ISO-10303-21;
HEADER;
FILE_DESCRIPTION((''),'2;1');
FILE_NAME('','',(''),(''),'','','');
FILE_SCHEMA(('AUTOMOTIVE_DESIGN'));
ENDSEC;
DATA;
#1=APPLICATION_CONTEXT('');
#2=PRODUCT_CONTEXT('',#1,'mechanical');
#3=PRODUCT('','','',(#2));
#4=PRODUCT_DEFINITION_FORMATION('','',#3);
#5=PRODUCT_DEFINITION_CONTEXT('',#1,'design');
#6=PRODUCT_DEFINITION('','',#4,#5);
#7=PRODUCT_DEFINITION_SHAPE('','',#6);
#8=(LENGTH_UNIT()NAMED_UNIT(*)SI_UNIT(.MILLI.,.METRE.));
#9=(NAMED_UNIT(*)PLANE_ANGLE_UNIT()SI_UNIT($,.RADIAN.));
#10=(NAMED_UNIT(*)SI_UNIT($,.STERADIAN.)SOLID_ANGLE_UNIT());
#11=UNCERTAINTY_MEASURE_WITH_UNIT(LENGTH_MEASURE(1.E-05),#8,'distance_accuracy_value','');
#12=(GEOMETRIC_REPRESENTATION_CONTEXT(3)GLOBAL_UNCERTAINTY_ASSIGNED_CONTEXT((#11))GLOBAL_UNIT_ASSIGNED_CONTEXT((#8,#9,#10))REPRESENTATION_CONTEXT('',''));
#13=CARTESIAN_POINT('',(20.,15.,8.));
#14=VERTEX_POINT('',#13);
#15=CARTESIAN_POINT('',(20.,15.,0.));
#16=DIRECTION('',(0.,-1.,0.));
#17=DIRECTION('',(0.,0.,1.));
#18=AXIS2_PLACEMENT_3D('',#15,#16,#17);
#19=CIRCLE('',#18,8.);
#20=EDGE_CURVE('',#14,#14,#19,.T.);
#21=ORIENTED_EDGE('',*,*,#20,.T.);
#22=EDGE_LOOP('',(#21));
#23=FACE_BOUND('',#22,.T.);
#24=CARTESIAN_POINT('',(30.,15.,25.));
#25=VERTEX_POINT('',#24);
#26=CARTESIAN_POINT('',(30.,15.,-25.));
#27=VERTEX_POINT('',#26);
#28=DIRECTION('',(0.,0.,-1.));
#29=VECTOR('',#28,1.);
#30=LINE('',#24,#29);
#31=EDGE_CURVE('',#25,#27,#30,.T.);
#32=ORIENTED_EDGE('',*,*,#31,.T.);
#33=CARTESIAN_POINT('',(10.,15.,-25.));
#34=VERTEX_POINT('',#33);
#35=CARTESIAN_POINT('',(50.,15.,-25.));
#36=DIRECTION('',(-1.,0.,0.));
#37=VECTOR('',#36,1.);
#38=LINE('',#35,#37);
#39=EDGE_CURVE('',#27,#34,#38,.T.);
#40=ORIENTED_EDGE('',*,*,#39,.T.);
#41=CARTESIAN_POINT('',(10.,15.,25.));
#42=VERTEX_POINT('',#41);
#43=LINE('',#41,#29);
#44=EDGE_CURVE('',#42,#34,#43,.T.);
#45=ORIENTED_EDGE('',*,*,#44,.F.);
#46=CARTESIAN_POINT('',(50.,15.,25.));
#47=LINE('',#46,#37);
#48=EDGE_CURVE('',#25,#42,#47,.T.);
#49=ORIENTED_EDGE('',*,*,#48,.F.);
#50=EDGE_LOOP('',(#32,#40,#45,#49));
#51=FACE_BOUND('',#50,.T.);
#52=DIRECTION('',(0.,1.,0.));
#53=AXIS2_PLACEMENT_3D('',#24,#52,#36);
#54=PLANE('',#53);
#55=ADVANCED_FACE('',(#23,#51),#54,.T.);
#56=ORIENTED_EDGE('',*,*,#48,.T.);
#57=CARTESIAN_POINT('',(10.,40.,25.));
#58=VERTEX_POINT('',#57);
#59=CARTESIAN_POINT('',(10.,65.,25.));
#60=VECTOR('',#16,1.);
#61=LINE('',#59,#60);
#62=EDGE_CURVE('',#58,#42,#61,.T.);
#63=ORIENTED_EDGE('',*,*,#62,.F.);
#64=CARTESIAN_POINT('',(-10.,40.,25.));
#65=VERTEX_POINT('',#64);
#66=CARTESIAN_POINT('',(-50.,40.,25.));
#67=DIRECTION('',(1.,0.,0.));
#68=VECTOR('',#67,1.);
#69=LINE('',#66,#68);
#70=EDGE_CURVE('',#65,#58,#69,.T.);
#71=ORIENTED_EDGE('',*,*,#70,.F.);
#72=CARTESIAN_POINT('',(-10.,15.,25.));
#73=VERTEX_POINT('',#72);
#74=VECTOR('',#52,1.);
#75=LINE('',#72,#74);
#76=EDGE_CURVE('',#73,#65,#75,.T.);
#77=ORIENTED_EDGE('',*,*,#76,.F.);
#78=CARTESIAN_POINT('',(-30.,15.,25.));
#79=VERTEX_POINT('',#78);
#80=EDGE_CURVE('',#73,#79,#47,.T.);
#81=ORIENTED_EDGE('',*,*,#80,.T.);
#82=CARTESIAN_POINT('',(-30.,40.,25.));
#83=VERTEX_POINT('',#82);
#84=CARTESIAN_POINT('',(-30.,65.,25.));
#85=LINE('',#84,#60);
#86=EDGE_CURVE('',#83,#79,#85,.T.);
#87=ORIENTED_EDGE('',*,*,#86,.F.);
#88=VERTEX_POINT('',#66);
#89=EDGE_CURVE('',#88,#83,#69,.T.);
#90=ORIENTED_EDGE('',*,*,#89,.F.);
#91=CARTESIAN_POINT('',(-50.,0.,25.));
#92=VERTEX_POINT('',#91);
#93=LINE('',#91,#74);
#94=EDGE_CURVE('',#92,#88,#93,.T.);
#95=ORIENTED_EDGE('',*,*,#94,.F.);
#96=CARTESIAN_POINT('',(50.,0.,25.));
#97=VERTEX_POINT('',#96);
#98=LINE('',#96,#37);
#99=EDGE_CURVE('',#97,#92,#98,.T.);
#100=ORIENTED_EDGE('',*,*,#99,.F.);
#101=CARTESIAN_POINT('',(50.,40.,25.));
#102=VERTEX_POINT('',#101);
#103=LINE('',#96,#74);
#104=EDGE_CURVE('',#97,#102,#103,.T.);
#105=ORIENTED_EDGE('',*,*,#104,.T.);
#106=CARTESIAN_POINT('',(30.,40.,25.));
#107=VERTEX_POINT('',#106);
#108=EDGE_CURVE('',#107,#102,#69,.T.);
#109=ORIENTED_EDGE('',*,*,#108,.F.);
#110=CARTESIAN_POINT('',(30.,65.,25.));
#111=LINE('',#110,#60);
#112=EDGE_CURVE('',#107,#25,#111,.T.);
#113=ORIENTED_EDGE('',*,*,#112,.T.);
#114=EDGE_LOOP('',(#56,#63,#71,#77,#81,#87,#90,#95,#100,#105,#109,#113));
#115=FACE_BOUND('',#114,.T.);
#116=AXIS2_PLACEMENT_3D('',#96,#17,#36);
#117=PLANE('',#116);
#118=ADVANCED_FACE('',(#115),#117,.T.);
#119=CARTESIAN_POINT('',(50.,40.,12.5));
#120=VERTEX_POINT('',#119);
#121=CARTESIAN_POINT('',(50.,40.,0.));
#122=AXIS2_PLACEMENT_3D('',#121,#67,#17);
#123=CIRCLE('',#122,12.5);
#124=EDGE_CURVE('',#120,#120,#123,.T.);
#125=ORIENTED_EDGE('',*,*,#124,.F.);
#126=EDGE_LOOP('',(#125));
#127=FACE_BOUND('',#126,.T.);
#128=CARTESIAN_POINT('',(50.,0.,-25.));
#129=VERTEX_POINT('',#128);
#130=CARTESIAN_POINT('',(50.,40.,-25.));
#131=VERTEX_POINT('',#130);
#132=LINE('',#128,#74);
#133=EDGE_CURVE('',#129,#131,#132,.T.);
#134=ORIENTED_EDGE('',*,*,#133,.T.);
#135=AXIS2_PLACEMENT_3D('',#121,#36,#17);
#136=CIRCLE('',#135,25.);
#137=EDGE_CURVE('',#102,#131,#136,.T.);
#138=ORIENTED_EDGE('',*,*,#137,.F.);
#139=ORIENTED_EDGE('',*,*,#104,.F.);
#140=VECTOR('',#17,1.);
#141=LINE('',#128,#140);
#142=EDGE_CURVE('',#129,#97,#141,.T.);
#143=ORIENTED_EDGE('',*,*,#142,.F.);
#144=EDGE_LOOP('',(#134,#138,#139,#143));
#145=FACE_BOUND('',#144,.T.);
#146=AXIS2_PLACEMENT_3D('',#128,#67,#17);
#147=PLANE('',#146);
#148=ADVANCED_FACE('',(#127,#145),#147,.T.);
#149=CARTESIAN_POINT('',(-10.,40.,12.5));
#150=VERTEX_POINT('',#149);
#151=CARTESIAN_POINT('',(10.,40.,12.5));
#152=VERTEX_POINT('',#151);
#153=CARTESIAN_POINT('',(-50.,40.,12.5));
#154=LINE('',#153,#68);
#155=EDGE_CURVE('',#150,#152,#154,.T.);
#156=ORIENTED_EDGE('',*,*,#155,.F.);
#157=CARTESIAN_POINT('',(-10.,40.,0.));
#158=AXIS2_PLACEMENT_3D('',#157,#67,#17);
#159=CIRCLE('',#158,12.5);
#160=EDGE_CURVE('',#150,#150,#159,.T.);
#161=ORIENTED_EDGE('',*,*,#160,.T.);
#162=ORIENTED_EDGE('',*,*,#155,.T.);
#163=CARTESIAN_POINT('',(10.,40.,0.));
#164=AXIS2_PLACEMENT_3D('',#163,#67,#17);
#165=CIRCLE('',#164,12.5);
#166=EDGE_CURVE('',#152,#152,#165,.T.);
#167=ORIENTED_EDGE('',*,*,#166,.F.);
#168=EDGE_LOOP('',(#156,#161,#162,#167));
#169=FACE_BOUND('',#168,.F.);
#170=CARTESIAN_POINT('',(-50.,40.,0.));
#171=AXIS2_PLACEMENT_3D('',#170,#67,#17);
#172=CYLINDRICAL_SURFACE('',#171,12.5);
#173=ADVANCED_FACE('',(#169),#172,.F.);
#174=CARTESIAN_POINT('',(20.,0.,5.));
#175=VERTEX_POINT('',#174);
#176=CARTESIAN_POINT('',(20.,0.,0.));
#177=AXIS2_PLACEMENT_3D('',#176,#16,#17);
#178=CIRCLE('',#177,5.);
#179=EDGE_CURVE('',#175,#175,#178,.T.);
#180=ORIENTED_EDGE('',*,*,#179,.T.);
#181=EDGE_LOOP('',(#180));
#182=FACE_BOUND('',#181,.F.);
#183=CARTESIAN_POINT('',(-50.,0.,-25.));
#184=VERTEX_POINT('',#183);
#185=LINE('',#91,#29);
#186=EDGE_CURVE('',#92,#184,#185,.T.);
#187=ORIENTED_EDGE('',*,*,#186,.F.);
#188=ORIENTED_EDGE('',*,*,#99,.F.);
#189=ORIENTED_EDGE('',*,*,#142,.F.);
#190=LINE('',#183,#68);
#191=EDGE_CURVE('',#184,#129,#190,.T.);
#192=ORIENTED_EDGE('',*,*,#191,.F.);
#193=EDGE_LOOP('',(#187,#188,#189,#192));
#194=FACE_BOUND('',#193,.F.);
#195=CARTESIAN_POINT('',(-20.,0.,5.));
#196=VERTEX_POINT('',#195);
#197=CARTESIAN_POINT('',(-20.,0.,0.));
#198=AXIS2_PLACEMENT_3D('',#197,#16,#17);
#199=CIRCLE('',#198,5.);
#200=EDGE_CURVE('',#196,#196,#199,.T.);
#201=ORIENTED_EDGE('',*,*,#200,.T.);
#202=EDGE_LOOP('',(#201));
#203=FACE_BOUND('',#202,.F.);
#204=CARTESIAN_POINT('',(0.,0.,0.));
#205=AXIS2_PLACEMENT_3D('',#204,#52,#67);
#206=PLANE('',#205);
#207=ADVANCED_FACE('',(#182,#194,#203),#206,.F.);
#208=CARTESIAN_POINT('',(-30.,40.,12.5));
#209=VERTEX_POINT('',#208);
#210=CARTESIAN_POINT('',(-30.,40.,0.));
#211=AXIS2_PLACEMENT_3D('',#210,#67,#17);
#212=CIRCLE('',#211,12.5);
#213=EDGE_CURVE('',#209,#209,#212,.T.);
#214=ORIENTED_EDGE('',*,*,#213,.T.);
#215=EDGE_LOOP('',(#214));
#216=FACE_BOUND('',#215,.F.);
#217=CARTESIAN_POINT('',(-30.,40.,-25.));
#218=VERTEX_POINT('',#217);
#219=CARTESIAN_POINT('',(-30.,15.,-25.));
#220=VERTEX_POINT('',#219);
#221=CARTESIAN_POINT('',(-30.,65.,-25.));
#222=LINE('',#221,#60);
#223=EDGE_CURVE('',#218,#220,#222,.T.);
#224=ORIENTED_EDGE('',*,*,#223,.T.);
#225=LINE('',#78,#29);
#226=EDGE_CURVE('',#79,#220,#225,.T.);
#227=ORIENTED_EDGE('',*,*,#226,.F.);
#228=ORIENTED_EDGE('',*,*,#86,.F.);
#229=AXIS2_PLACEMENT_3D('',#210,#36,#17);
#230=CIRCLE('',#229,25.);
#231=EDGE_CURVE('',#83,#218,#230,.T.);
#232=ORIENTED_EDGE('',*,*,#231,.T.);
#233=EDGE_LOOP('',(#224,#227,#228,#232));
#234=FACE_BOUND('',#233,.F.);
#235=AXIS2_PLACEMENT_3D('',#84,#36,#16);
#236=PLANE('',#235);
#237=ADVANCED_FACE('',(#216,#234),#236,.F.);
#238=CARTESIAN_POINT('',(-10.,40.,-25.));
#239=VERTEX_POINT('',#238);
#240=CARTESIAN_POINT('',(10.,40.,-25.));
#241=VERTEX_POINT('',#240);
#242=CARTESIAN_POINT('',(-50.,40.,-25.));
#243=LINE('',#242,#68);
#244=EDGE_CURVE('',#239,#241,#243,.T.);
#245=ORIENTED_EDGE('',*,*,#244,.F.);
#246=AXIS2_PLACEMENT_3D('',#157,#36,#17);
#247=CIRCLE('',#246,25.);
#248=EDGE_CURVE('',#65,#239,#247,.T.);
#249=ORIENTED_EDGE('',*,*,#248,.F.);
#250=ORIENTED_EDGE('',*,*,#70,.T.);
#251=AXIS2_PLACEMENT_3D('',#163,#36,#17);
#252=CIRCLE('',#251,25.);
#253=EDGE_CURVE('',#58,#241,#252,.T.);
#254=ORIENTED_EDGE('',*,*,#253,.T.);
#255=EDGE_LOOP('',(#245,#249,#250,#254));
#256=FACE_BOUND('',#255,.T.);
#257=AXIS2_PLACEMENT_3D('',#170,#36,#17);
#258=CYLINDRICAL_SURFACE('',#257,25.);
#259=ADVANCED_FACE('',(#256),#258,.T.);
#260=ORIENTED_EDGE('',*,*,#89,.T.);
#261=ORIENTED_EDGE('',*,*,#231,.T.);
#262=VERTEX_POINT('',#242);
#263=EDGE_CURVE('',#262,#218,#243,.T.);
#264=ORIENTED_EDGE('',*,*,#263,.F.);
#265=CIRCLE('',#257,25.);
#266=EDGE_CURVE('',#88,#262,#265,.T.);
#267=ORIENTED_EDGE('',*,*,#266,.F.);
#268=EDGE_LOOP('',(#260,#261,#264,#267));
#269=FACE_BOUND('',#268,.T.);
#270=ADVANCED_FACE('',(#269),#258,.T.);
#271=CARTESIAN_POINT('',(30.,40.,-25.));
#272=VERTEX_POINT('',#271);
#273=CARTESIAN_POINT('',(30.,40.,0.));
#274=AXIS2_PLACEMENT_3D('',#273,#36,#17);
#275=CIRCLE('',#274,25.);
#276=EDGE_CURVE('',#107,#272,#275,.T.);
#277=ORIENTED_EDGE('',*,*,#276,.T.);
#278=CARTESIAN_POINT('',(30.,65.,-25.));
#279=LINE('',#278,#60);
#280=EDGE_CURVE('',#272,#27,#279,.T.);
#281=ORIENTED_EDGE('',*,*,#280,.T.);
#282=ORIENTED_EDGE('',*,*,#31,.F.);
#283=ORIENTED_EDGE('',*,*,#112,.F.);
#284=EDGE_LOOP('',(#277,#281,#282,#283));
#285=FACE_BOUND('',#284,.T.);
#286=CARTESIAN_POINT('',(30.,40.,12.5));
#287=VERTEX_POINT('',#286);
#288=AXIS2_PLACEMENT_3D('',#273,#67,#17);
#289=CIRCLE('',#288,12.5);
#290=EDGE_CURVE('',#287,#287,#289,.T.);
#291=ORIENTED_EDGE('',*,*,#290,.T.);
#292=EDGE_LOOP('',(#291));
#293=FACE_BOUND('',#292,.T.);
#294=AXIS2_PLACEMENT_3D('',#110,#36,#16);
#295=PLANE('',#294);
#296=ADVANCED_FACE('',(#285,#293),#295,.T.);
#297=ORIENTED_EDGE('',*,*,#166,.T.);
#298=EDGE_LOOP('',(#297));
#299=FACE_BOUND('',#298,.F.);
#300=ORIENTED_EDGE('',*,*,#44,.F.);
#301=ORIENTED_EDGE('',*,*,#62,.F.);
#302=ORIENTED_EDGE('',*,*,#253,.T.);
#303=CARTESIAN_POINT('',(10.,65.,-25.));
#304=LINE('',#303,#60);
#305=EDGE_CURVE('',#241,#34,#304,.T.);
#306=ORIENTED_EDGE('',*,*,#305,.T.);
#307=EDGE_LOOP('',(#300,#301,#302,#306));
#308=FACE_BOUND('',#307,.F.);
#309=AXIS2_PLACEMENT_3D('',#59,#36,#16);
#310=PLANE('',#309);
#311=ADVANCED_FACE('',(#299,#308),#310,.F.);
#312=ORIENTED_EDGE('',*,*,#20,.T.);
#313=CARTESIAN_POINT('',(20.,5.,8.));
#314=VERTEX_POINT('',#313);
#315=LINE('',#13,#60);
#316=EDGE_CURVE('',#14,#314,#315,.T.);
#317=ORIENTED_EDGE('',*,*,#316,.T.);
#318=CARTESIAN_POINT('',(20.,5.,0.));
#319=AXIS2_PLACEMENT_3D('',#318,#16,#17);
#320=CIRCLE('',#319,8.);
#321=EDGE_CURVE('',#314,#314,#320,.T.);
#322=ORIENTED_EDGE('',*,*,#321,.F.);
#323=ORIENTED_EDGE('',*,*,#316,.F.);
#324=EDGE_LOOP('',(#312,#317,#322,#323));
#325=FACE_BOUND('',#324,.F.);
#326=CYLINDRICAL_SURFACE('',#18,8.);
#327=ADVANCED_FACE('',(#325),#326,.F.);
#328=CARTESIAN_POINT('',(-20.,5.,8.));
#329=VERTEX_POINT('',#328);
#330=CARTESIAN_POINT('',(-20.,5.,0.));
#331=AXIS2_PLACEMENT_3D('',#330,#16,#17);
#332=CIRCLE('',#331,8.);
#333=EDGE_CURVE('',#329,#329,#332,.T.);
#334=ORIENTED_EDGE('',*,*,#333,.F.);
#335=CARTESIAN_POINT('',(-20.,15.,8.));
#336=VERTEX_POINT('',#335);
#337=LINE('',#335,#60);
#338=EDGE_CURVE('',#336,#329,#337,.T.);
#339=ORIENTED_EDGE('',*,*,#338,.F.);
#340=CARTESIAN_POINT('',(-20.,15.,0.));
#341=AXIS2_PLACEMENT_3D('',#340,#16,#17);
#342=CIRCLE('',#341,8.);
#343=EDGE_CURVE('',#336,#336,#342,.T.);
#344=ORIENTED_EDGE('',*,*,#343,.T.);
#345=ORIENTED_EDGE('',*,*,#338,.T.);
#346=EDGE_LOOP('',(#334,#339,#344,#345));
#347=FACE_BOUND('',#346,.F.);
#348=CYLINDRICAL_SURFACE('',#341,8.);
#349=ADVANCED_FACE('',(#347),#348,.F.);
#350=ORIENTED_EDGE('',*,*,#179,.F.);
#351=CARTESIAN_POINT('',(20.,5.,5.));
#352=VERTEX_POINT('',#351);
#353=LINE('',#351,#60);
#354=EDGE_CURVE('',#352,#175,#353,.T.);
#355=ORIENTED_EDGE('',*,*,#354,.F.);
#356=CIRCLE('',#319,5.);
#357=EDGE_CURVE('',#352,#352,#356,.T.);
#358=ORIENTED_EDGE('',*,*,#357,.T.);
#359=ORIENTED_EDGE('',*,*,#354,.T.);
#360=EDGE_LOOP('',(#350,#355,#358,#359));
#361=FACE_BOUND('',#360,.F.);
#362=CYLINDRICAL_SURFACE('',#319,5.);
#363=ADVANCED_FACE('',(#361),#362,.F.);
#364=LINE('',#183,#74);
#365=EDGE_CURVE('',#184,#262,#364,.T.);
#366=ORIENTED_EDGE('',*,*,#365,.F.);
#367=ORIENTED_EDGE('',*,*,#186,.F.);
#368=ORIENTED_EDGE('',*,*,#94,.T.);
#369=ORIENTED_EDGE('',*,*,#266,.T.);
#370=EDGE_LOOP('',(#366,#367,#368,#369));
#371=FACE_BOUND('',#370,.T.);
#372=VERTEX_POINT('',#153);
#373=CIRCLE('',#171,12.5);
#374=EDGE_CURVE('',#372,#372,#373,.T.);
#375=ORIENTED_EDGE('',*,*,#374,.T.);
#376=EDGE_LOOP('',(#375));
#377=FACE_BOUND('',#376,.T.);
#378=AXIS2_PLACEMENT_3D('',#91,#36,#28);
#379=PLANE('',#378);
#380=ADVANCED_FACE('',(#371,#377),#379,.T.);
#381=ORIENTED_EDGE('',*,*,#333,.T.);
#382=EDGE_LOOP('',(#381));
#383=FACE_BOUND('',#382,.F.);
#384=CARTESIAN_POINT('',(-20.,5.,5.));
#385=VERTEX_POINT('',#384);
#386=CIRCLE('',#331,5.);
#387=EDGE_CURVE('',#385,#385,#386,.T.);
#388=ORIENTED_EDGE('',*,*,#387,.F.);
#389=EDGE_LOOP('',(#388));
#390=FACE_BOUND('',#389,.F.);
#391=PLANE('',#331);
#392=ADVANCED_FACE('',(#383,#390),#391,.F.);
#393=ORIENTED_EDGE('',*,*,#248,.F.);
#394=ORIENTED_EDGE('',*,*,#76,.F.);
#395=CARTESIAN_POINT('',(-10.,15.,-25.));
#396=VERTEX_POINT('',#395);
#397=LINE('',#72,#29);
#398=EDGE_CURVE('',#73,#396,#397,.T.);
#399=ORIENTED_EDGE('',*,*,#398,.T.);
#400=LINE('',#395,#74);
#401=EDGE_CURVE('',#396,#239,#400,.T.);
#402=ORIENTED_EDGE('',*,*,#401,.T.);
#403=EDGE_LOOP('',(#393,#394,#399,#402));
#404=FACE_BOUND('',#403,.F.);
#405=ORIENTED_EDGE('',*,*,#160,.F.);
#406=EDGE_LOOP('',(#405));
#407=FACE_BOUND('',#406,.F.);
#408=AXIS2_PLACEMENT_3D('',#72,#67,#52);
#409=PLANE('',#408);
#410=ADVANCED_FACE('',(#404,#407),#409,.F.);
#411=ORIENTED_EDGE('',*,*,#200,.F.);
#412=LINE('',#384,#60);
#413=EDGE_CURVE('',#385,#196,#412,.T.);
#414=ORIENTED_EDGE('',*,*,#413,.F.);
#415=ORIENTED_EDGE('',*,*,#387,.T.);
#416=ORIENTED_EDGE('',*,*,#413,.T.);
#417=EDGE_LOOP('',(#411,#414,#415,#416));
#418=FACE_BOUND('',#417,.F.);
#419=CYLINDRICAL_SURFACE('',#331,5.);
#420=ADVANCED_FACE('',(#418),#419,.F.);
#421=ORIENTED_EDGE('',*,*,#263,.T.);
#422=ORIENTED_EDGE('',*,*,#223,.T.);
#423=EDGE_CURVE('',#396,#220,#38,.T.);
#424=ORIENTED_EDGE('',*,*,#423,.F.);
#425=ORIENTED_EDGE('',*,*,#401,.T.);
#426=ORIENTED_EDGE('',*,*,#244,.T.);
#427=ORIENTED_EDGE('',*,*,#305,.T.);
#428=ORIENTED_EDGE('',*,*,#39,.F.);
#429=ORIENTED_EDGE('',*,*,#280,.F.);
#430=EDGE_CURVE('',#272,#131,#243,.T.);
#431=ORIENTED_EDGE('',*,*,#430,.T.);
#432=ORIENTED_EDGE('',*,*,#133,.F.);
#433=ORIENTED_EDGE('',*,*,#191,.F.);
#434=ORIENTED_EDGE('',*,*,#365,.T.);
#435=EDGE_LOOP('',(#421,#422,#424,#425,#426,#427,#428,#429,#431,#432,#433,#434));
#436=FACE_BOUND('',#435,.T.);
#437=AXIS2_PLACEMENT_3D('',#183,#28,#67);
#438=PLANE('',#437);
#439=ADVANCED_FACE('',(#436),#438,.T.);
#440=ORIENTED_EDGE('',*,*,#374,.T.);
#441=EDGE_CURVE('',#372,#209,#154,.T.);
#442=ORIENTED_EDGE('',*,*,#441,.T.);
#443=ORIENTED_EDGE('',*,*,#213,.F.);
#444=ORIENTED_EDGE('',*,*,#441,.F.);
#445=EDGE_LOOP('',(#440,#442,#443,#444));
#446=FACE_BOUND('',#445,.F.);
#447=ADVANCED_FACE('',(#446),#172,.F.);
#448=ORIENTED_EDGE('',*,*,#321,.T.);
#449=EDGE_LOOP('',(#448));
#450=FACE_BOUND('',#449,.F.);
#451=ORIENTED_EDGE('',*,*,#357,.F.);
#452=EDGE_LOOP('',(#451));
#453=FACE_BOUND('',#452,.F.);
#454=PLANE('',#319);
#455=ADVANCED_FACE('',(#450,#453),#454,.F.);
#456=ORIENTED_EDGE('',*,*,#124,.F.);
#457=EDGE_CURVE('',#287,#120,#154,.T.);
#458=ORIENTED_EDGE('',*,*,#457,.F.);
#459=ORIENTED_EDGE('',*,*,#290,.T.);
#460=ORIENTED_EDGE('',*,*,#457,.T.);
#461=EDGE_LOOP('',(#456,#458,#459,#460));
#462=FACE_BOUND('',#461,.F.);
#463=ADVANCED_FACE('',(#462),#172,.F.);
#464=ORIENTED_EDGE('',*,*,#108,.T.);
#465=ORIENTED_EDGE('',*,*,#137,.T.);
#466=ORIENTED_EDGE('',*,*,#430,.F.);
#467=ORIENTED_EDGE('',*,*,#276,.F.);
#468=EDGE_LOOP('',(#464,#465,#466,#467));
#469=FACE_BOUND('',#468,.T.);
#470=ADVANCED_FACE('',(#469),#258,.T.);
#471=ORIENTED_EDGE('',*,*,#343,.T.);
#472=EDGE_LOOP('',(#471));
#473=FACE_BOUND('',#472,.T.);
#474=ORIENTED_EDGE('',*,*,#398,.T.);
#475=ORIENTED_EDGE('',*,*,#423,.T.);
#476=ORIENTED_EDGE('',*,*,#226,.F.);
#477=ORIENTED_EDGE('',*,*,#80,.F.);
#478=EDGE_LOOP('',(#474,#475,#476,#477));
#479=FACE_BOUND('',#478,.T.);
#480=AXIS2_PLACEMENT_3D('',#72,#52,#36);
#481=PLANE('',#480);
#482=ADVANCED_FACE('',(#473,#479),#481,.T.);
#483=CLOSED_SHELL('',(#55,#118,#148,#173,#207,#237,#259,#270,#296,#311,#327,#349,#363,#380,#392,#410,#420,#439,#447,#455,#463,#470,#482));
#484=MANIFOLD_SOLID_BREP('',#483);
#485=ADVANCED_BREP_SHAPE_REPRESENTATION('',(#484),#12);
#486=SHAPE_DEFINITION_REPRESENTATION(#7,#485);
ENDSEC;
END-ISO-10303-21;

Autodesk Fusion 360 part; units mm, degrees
sketch "Sketch1" plane through (0, 0, 0) normal (0, 1, 0) x (1, 0, 0)
  line L0 (50, -25) -> (-50, -25)
  line L1 (-50, -25) -> (-50, 25)
  line L2 (-50, 25) -> (50, 25)
  line L3 (50, 25) -> (50, -25)
  line L4 (50, -25) -> (-50, 25) construction
  line L5 (-50, -25) -> (50, 25) construction
  dimension "d1" = 100
  dimension "d2" = 50
extrude "Extrude1" add sketch "Sketch1" along normal blind 65
sketch "Sketch2" plane through (0, 0, 25) normal (0, 0, 1) x (1, 0, 0)
  line L0 (-50, 0) -> (50, 0)
  line L1 (50, 0) -> (50, 65)
  line L2 (50, 65) -> (-50, 65)
  line L3 (-50, 65) -> (-50, 0)
  line L4 (-50, 0) -> (50, 0)
  line L5 (50, 0) -> (50, 15)
  line L6 (50, 15) -> (-50, 15)
  line L7 (-50, 15) -> (-50, 0)
  line L8 (-40, 15) -> (-50, 15)
  line L9 (-50, 15) -> (-50, 65)
  line L10 (-50, 65) -> (-40, 65)
  line L11 (40, 15) -> (50, 15)
  line L12 (50, 15) -> (50, 65)
  line L13 (50, 65) -> (40, 65)
  line L14 (-10, 65) -> (10, 65)
  line L15 (10, 65) -> (10, 15)
  line L16 (10, 15) -> (-10, 15)
  line L17 (-10, 15) -> (-10, 65)
  line L18 (10, 65) -> (30, 65)
  line L19 (30, 65) -> (30, 15)
  line L20 (30, 15) -> (10, 15)
  line L21 (10, 15) -> (10, 65)
  line L22 (-10, 65) -> (-30, 65)
  line L23 (-30, 65) -> (-30, 15)
  line L24 (-30, 15) -> (-10, 15)
  line L25 (-10, 15) -> (-10, 65)
  line L26 (-30, 65) -> (-50, 65)
  line L27 (-50, 65) -> (-50, 15)
  line L28 (-50, 15) -> (-30, 15)
  line L29 (-30, 15) -> (-30, 65)
  line L30 (30, 65) -> (50, 65)
  line L31 (50, 65) -> (50, 15)
  line L32 (50, 15) -> (30, 15)
  line L33 (30, 15) -> (30, 65)
  dimension "d5" = 100
  dimension "d6" = 15
  dimension "d7" = 20
  dimension "d8" = 20
  dimension "d9" = 20
  dimension "d10" = 20
  dimension "d11" = 20
extrude "Extrude2" cut sketch "Sketch2" against normal blind 50 contours L2 L6 L17 L22 L23 L24 L25 L29 | L2 L6 L15 L18 L19 L20 L21 L33
sketch "Sketch3" plane through (-50, 0, 0) normal (-1, 0, 0) x (0, 0, 1)
  line L0 (-25, 0) -> (25, 0)
  line L1 (25, 0) -> (25, 65)
  line L2 (25, 65) -> (-25, 65)
  line L3 (-25, 65) -> (-25, 0)
  circle A0 centre (0, 40) radius 25
  dimension "d14" = 50
  dimension "d15" = 40
extrude "Extrude3" cut sketch "Sketch3" against normal blind 100 contours L2 L3 A0 | L1 L2 A0
sketch "Sketch4" plane through (-50, 0, 0) normal (-1, 0, 0) x (0, 0, 1)
  arc A0 (25, 40) -> (-25, 40) centre (0, 40) ccw
  line L0 (-25, 40) -> (-25, 0)
  line L1 (-25, 0) -> (25, 0)
  line L2 (25, 0) -> (25, 40)
  line L3 (0, 40) -> (0, 0)
hole "Hole1" at (-50, 40, 0) direction (1, 0, 0) diameter 25 end through all
sketch "Sketch5" plane through (0, 15, 0) normal (0, 1, 0) x (-1, 0, 0)
  line L0 (30, 25) -> (10, 25)
  line L1 (10, 25) -> (10, -25)
  line L2 (10, -25) -> (30, -25)
  line L3 (30, -25) -> (30, 25)
  line L4 (20, 0) -> (20, -25)
  line L5 (-20, 0) -> (-20, -25)
  dimension "d21" = 25
  dimension "d22" = 40
hole "Hole2" at (-20, 15, 0) at (20, 15, 0) direction (0, -1, 0) diameter 10 depth 100 tip angle 118 counterbore diameter 16 counterbore depth 10
